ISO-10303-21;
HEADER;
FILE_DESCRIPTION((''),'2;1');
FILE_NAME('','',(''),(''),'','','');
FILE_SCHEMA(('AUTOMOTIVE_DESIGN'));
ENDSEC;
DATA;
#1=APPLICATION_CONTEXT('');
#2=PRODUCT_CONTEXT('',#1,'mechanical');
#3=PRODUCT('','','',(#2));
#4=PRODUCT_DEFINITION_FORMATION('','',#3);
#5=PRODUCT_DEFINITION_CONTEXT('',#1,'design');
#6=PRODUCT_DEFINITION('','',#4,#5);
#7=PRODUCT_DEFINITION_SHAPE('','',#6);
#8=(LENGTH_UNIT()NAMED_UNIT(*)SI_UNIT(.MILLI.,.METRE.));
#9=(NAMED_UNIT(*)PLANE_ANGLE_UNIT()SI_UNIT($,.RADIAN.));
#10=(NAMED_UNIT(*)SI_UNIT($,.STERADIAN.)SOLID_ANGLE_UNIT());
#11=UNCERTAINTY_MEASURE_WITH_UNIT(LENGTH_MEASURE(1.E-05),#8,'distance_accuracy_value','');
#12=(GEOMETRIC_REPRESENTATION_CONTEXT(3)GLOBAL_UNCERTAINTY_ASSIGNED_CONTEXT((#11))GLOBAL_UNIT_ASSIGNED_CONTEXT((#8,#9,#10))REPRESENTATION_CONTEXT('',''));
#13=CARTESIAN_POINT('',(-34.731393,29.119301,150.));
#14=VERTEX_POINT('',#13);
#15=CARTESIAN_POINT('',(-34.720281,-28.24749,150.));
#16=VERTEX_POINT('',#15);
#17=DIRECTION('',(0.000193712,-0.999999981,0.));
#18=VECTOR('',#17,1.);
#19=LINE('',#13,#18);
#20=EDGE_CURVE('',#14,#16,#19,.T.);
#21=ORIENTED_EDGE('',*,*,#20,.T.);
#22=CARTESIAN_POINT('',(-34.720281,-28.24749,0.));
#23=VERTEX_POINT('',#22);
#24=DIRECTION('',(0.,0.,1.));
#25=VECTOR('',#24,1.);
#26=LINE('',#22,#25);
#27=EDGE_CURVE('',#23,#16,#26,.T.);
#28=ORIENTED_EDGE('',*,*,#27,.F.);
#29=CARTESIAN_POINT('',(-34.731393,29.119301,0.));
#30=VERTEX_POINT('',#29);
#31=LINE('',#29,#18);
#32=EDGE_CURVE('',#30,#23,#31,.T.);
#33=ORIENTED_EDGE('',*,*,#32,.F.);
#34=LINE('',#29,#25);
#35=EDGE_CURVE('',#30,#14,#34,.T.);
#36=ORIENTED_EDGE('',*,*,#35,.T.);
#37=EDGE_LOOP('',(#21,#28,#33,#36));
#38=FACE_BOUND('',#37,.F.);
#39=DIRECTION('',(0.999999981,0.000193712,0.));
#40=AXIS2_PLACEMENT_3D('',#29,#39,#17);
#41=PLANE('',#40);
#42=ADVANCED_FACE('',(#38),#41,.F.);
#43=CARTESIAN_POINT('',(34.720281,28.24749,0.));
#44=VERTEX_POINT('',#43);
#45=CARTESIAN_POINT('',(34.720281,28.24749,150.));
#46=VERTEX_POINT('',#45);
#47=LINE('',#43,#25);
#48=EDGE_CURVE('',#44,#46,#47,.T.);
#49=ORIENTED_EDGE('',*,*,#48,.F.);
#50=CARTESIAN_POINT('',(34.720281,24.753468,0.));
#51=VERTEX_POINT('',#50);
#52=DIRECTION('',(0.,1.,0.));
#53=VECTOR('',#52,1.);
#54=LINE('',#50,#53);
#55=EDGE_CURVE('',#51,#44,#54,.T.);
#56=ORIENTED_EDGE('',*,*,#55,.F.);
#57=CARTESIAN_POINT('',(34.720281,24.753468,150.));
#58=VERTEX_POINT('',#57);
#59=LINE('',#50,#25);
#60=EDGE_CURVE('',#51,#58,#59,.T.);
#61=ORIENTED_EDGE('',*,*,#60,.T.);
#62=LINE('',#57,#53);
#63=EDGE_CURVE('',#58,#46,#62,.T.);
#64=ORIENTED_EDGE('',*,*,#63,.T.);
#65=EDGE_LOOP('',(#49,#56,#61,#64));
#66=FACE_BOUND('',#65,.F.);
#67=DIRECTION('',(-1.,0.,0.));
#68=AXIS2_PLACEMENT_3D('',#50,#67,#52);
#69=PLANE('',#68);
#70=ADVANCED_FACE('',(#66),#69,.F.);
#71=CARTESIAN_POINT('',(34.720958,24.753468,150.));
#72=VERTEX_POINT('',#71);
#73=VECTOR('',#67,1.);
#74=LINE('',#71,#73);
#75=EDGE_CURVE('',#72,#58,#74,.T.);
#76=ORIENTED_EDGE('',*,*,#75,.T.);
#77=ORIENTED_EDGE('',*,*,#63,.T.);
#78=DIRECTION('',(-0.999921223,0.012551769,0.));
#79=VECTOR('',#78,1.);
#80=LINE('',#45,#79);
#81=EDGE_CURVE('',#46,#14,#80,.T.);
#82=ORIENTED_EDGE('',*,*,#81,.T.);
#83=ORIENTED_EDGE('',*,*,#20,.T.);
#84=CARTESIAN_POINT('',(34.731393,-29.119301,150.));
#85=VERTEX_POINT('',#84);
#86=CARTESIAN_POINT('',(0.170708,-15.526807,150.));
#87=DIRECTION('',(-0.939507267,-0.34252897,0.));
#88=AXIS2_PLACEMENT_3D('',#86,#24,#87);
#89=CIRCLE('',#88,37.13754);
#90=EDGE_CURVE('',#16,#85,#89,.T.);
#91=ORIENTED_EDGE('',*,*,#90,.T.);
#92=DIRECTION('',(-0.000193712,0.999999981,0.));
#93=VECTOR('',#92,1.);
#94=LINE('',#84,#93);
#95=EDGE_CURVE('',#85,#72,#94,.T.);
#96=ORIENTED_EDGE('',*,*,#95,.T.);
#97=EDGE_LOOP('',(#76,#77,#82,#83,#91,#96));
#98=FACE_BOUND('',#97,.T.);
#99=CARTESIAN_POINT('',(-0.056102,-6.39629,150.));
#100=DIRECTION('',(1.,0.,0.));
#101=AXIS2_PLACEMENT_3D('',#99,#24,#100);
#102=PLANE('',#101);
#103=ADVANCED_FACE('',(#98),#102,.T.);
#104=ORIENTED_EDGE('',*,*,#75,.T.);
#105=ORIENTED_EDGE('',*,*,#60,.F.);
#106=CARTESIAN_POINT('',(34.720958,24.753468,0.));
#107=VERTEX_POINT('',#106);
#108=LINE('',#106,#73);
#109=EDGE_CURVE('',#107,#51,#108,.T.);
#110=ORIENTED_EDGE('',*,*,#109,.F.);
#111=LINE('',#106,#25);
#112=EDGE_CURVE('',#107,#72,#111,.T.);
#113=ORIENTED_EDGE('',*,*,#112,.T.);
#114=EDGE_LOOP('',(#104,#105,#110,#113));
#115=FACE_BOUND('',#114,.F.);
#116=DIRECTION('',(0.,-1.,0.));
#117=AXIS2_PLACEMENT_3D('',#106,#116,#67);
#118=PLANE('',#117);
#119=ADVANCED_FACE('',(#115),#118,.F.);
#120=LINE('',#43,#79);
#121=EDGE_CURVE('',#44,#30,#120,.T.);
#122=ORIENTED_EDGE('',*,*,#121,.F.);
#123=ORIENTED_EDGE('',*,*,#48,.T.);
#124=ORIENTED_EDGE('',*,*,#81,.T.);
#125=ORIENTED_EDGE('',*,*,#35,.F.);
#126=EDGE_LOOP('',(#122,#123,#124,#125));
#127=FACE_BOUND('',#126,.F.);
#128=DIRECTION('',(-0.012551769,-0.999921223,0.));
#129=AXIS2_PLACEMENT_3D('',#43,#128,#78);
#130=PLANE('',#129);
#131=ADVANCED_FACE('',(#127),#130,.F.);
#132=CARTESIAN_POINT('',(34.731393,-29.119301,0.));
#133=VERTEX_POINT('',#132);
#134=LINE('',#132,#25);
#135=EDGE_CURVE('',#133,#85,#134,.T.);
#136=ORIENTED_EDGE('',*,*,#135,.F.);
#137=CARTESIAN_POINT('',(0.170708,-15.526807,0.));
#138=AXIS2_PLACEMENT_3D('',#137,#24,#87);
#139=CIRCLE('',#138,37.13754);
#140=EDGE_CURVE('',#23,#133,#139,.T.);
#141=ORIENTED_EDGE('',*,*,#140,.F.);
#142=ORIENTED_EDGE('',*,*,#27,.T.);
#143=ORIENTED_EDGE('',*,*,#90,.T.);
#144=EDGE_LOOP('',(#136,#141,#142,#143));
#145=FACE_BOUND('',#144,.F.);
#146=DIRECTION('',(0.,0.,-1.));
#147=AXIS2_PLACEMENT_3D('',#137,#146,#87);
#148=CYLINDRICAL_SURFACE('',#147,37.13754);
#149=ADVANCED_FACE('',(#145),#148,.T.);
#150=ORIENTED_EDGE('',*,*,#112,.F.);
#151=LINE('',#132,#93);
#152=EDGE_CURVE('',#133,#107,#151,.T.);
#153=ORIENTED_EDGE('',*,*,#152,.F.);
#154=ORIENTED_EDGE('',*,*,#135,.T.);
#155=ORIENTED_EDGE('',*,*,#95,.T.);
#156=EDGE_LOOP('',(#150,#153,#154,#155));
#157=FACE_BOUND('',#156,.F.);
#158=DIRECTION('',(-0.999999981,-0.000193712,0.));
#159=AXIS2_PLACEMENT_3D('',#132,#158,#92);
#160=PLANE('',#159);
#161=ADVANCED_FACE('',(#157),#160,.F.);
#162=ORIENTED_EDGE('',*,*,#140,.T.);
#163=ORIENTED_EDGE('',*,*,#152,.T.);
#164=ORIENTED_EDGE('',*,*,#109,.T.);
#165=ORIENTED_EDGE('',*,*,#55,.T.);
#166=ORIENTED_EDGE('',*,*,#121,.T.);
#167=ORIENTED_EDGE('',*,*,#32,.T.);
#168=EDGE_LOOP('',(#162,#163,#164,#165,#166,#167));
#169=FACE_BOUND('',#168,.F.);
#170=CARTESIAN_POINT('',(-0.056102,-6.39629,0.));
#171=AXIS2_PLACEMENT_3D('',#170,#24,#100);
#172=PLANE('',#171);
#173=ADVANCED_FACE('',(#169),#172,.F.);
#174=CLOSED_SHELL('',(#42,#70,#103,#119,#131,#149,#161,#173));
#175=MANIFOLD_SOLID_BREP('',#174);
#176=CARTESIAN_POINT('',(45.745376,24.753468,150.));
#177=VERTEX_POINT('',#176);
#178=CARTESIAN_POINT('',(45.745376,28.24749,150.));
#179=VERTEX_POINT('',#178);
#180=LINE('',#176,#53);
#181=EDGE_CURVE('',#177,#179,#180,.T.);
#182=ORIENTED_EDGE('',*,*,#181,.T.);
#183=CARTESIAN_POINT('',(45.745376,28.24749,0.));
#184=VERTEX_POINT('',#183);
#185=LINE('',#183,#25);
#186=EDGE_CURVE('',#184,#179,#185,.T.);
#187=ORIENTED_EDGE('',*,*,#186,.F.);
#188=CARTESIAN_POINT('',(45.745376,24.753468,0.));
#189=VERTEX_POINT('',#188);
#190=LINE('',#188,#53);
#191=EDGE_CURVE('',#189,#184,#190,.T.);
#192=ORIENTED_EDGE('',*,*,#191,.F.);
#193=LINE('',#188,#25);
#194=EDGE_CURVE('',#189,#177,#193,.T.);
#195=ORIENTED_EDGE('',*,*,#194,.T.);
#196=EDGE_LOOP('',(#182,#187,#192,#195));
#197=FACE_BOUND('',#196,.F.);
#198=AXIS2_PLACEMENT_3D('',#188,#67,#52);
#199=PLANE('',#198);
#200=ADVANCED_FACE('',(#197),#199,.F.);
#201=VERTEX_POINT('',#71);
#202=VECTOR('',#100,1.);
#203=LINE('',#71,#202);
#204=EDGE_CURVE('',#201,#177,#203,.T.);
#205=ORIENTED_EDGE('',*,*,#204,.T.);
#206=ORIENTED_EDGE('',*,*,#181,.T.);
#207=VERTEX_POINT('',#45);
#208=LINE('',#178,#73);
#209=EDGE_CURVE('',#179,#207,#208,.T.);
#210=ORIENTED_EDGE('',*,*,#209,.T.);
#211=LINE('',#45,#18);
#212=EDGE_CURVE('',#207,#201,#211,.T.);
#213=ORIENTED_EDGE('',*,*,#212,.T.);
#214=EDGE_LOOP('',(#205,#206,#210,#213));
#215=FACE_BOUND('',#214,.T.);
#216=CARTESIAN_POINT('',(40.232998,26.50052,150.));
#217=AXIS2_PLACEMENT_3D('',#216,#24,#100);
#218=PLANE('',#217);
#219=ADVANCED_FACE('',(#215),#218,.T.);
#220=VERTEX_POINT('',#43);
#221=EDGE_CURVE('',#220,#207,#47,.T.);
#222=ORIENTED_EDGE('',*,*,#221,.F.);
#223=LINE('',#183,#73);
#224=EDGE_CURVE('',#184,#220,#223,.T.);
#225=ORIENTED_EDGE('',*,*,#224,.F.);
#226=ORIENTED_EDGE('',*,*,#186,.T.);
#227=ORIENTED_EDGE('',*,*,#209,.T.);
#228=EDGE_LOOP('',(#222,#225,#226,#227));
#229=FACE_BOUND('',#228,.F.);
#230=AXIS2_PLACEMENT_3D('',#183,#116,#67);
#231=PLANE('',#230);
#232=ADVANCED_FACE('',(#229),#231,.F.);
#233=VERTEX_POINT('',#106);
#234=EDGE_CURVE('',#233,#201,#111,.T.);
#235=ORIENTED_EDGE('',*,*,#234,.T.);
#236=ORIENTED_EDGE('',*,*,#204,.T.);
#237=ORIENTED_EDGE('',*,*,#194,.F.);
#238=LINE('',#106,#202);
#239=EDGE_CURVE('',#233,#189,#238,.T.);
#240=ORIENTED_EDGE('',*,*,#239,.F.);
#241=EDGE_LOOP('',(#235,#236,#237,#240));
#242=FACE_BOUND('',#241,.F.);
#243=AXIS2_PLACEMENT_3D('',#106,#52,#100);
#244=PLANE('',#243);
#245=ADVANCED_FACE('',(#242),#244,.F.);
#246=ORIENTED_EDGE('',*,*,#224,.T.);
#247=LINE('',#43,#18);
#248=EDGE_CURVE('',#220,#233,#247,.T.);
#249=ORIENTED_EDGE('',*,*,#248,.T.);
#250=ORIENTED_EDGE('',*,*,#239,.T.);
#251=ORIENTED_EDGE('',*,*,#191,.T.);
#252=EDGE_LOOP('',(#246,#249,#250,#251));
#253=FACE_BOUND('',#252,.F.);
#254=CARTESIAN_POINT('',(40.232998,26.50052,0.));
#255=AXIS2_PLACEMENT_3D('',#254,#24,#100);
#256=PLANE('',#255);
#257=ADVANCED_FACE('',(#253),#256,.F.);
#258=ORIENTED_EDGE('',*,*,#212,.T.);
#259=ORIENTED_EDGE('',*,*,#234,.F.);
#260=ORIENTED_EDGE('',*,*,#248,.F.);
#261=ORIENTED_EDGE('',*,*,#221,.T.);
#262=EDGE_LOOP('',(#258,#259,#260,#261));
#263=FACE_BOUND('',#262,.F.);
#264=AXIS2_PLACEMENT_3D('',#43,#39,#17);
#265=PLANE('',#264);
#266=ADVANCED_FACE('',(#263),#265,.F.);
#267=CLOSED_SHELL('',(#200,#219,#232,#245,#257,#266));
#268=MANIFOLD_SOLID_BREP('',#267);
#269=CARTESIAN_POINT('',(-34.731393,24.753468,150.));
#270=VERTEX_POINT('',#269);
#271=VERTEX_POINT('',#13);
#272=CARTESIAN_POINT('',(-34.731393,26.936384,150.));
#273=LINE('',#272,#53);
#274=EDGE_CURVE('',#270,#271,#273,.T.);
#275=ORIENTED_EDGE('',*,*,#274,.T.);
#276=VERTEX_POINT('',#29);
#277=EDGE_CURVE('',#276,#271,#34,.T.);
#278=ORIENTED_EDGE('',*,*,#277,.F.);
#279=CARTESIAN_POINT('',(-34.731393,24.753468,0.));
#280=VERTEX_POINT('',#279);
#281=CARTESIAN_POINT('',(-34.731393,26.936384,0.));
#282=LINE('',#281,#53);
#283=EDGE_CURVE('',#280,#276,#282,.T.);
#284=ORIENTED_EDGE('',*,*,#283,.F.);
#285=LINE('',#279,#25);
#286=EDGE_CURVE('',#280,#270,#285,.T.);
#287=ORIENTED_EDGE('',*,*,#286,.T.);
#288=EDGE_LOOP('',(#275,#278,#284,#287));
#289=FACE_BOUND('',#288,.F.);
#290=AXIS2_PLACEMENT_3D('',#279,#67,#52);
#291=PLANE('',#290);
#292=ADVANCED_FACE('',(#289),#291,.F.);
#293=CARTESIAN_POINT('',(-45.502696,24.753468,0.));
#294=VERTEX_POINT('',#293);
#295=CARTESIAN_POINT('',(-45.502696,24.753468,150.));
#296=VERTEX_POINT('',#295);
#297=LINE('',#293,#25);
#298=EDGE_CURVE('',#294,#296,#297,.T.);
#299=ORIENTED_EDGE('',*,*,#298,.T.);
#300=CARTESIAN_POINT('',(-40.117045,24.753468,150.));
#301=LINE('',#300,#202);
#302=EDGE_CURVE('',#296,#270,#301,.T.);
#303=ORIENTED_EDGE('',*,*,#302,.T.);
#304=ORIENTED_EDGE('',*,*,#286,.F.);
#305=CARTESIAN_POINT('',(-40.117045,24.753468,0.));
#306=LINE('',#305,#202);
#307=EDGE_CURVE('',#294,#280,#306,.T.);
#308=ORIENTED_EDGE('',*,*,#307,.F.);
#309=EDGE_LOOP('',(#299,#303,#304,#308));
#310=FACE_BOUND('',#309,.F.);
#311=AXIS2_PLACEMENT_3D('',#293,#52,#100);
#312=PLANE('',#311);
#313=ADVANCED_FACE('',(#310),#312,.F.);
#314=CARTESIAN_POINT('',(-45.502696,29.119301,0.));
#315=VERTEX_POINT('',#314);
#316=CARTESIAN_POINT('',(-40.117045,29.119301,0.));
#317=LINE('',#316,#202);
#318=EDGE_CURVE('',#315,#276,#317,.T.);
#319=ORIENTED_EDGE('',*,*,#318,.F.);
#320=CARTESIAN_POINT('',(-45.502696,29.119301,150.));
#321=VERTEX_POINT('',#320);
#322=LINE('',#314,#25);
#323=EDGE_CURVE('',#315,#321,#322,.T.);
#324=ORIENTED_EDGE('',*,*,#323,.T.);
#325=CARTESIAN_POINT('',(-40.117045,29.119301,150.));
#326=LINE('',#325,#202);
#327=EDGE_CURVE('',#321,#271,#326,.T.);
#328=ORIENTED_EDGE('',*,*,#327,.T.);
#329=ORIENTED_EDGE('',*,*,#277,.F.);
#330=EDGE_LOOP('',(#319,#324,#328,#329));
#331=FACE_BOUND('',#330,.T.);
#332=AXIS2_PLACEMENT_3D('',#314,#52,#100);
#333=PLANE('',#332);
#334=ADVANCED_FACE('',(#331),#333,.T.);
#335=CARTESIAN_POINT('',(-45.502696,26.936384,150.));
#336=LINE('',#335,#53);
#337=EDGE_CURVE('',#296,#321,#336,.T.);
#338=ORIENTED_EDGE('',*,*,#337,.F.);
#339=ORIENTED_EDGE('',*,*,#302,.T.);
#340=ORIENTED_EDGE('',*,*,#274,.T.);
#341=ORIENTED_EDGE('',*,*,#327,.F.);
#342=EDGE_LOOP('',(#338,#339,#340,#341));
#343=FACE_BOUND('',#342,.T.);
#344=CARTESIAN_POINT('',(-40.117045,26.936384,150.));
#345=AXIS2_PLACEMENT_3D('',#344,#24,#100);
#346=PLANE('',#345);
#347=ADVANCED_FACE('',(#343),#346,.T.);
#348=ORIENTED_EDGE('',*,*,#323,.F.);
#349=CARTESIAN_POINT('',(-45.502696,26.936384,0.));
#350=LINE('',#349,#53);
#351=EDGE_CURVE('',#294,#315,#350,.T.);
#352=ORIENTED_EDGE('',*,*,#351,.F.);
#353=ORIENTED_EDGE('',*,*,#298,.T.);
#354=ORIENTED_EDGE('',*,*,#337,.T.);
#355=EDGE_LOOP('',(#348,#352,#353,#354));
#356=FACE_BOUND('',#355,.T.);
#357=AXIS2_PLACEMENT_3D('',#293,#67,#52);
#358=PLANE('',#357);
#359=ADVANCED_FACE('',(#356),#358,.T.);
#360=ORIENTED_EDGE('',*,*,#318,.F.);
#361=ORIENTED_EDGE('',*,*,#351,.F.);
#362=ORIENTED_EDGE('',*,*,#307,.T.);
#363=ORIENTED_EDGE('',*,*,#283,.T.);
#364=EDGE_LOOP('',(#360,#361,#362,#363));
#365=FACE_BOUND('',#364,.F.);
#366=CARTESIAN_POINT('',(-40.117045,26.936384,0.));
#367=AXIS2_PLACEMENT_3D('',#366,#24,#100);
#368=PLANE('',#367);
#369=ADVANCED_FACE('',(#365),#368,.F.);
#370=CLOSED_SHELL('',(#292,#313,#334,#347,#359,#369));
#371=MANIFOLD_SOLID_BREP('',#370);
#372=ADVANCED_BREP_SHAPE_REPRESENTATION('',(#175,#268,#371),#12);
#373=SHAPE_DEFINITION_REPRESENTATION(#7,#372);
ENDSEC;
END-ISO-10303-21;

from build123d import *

# Parameters (mm, degrees)
F0_W     = 10.7713027203
F0_H     = 4.3658324032
F1_DEPTH = 150


with BuildPart() as f1:
    # F0 (on Top) → F1 (new body)
    with BuildSketch(Plane.XY):
        with Locations((-40.1170448261, 26.9363843127)):
            Rectangle(F0_W, F0_H)
    extrude(amount=F1_DEPTH)


with BuildPart() as f1b:
    # F0 (on Top) → F1, piece 2 (new body)
    with BuildSketch(Plane.XY):
        with BuildLine():
            Line((34.7202808191, 24.7534681112), (34.7202808191, 28.2474904971))
            Line((34.7202808191, 28.2474904971), (-34.731393466, 29.1193005143))
            Line((-34.731393466, 29.1193005143), (-34.7202808191, -28.2474904971))
            ThreePointArc((-34.7202808191, -28.2474904971), (-0.29543402, -52.661421541), (34.731393466, -29.1193005143))
            Line((34.731393466, -29.1193005143), (34.7209576539, 24.7534681112))
            Line((34.7209576539, 24.7534681112), (34.7202808191, 24.7534681112))
        make_face()
    extrude(amount=F1_DEPTH)


with BuildPart() as f1c:
    # F0 (on Top) → F1, piece 3 (new body)
    with BuildSketch(Plane.XY):
        Polygon((45.7453764975, 28.2474904971), (34.7202808191, 28.2474904971), (34.7209576539, 24.7534681112), (45.7453764975, 24.7534681112), align=None)
    extrude(amount=F1_DEPTH)


solid = Compound([f1.part, f1b.part, f1c.part])
